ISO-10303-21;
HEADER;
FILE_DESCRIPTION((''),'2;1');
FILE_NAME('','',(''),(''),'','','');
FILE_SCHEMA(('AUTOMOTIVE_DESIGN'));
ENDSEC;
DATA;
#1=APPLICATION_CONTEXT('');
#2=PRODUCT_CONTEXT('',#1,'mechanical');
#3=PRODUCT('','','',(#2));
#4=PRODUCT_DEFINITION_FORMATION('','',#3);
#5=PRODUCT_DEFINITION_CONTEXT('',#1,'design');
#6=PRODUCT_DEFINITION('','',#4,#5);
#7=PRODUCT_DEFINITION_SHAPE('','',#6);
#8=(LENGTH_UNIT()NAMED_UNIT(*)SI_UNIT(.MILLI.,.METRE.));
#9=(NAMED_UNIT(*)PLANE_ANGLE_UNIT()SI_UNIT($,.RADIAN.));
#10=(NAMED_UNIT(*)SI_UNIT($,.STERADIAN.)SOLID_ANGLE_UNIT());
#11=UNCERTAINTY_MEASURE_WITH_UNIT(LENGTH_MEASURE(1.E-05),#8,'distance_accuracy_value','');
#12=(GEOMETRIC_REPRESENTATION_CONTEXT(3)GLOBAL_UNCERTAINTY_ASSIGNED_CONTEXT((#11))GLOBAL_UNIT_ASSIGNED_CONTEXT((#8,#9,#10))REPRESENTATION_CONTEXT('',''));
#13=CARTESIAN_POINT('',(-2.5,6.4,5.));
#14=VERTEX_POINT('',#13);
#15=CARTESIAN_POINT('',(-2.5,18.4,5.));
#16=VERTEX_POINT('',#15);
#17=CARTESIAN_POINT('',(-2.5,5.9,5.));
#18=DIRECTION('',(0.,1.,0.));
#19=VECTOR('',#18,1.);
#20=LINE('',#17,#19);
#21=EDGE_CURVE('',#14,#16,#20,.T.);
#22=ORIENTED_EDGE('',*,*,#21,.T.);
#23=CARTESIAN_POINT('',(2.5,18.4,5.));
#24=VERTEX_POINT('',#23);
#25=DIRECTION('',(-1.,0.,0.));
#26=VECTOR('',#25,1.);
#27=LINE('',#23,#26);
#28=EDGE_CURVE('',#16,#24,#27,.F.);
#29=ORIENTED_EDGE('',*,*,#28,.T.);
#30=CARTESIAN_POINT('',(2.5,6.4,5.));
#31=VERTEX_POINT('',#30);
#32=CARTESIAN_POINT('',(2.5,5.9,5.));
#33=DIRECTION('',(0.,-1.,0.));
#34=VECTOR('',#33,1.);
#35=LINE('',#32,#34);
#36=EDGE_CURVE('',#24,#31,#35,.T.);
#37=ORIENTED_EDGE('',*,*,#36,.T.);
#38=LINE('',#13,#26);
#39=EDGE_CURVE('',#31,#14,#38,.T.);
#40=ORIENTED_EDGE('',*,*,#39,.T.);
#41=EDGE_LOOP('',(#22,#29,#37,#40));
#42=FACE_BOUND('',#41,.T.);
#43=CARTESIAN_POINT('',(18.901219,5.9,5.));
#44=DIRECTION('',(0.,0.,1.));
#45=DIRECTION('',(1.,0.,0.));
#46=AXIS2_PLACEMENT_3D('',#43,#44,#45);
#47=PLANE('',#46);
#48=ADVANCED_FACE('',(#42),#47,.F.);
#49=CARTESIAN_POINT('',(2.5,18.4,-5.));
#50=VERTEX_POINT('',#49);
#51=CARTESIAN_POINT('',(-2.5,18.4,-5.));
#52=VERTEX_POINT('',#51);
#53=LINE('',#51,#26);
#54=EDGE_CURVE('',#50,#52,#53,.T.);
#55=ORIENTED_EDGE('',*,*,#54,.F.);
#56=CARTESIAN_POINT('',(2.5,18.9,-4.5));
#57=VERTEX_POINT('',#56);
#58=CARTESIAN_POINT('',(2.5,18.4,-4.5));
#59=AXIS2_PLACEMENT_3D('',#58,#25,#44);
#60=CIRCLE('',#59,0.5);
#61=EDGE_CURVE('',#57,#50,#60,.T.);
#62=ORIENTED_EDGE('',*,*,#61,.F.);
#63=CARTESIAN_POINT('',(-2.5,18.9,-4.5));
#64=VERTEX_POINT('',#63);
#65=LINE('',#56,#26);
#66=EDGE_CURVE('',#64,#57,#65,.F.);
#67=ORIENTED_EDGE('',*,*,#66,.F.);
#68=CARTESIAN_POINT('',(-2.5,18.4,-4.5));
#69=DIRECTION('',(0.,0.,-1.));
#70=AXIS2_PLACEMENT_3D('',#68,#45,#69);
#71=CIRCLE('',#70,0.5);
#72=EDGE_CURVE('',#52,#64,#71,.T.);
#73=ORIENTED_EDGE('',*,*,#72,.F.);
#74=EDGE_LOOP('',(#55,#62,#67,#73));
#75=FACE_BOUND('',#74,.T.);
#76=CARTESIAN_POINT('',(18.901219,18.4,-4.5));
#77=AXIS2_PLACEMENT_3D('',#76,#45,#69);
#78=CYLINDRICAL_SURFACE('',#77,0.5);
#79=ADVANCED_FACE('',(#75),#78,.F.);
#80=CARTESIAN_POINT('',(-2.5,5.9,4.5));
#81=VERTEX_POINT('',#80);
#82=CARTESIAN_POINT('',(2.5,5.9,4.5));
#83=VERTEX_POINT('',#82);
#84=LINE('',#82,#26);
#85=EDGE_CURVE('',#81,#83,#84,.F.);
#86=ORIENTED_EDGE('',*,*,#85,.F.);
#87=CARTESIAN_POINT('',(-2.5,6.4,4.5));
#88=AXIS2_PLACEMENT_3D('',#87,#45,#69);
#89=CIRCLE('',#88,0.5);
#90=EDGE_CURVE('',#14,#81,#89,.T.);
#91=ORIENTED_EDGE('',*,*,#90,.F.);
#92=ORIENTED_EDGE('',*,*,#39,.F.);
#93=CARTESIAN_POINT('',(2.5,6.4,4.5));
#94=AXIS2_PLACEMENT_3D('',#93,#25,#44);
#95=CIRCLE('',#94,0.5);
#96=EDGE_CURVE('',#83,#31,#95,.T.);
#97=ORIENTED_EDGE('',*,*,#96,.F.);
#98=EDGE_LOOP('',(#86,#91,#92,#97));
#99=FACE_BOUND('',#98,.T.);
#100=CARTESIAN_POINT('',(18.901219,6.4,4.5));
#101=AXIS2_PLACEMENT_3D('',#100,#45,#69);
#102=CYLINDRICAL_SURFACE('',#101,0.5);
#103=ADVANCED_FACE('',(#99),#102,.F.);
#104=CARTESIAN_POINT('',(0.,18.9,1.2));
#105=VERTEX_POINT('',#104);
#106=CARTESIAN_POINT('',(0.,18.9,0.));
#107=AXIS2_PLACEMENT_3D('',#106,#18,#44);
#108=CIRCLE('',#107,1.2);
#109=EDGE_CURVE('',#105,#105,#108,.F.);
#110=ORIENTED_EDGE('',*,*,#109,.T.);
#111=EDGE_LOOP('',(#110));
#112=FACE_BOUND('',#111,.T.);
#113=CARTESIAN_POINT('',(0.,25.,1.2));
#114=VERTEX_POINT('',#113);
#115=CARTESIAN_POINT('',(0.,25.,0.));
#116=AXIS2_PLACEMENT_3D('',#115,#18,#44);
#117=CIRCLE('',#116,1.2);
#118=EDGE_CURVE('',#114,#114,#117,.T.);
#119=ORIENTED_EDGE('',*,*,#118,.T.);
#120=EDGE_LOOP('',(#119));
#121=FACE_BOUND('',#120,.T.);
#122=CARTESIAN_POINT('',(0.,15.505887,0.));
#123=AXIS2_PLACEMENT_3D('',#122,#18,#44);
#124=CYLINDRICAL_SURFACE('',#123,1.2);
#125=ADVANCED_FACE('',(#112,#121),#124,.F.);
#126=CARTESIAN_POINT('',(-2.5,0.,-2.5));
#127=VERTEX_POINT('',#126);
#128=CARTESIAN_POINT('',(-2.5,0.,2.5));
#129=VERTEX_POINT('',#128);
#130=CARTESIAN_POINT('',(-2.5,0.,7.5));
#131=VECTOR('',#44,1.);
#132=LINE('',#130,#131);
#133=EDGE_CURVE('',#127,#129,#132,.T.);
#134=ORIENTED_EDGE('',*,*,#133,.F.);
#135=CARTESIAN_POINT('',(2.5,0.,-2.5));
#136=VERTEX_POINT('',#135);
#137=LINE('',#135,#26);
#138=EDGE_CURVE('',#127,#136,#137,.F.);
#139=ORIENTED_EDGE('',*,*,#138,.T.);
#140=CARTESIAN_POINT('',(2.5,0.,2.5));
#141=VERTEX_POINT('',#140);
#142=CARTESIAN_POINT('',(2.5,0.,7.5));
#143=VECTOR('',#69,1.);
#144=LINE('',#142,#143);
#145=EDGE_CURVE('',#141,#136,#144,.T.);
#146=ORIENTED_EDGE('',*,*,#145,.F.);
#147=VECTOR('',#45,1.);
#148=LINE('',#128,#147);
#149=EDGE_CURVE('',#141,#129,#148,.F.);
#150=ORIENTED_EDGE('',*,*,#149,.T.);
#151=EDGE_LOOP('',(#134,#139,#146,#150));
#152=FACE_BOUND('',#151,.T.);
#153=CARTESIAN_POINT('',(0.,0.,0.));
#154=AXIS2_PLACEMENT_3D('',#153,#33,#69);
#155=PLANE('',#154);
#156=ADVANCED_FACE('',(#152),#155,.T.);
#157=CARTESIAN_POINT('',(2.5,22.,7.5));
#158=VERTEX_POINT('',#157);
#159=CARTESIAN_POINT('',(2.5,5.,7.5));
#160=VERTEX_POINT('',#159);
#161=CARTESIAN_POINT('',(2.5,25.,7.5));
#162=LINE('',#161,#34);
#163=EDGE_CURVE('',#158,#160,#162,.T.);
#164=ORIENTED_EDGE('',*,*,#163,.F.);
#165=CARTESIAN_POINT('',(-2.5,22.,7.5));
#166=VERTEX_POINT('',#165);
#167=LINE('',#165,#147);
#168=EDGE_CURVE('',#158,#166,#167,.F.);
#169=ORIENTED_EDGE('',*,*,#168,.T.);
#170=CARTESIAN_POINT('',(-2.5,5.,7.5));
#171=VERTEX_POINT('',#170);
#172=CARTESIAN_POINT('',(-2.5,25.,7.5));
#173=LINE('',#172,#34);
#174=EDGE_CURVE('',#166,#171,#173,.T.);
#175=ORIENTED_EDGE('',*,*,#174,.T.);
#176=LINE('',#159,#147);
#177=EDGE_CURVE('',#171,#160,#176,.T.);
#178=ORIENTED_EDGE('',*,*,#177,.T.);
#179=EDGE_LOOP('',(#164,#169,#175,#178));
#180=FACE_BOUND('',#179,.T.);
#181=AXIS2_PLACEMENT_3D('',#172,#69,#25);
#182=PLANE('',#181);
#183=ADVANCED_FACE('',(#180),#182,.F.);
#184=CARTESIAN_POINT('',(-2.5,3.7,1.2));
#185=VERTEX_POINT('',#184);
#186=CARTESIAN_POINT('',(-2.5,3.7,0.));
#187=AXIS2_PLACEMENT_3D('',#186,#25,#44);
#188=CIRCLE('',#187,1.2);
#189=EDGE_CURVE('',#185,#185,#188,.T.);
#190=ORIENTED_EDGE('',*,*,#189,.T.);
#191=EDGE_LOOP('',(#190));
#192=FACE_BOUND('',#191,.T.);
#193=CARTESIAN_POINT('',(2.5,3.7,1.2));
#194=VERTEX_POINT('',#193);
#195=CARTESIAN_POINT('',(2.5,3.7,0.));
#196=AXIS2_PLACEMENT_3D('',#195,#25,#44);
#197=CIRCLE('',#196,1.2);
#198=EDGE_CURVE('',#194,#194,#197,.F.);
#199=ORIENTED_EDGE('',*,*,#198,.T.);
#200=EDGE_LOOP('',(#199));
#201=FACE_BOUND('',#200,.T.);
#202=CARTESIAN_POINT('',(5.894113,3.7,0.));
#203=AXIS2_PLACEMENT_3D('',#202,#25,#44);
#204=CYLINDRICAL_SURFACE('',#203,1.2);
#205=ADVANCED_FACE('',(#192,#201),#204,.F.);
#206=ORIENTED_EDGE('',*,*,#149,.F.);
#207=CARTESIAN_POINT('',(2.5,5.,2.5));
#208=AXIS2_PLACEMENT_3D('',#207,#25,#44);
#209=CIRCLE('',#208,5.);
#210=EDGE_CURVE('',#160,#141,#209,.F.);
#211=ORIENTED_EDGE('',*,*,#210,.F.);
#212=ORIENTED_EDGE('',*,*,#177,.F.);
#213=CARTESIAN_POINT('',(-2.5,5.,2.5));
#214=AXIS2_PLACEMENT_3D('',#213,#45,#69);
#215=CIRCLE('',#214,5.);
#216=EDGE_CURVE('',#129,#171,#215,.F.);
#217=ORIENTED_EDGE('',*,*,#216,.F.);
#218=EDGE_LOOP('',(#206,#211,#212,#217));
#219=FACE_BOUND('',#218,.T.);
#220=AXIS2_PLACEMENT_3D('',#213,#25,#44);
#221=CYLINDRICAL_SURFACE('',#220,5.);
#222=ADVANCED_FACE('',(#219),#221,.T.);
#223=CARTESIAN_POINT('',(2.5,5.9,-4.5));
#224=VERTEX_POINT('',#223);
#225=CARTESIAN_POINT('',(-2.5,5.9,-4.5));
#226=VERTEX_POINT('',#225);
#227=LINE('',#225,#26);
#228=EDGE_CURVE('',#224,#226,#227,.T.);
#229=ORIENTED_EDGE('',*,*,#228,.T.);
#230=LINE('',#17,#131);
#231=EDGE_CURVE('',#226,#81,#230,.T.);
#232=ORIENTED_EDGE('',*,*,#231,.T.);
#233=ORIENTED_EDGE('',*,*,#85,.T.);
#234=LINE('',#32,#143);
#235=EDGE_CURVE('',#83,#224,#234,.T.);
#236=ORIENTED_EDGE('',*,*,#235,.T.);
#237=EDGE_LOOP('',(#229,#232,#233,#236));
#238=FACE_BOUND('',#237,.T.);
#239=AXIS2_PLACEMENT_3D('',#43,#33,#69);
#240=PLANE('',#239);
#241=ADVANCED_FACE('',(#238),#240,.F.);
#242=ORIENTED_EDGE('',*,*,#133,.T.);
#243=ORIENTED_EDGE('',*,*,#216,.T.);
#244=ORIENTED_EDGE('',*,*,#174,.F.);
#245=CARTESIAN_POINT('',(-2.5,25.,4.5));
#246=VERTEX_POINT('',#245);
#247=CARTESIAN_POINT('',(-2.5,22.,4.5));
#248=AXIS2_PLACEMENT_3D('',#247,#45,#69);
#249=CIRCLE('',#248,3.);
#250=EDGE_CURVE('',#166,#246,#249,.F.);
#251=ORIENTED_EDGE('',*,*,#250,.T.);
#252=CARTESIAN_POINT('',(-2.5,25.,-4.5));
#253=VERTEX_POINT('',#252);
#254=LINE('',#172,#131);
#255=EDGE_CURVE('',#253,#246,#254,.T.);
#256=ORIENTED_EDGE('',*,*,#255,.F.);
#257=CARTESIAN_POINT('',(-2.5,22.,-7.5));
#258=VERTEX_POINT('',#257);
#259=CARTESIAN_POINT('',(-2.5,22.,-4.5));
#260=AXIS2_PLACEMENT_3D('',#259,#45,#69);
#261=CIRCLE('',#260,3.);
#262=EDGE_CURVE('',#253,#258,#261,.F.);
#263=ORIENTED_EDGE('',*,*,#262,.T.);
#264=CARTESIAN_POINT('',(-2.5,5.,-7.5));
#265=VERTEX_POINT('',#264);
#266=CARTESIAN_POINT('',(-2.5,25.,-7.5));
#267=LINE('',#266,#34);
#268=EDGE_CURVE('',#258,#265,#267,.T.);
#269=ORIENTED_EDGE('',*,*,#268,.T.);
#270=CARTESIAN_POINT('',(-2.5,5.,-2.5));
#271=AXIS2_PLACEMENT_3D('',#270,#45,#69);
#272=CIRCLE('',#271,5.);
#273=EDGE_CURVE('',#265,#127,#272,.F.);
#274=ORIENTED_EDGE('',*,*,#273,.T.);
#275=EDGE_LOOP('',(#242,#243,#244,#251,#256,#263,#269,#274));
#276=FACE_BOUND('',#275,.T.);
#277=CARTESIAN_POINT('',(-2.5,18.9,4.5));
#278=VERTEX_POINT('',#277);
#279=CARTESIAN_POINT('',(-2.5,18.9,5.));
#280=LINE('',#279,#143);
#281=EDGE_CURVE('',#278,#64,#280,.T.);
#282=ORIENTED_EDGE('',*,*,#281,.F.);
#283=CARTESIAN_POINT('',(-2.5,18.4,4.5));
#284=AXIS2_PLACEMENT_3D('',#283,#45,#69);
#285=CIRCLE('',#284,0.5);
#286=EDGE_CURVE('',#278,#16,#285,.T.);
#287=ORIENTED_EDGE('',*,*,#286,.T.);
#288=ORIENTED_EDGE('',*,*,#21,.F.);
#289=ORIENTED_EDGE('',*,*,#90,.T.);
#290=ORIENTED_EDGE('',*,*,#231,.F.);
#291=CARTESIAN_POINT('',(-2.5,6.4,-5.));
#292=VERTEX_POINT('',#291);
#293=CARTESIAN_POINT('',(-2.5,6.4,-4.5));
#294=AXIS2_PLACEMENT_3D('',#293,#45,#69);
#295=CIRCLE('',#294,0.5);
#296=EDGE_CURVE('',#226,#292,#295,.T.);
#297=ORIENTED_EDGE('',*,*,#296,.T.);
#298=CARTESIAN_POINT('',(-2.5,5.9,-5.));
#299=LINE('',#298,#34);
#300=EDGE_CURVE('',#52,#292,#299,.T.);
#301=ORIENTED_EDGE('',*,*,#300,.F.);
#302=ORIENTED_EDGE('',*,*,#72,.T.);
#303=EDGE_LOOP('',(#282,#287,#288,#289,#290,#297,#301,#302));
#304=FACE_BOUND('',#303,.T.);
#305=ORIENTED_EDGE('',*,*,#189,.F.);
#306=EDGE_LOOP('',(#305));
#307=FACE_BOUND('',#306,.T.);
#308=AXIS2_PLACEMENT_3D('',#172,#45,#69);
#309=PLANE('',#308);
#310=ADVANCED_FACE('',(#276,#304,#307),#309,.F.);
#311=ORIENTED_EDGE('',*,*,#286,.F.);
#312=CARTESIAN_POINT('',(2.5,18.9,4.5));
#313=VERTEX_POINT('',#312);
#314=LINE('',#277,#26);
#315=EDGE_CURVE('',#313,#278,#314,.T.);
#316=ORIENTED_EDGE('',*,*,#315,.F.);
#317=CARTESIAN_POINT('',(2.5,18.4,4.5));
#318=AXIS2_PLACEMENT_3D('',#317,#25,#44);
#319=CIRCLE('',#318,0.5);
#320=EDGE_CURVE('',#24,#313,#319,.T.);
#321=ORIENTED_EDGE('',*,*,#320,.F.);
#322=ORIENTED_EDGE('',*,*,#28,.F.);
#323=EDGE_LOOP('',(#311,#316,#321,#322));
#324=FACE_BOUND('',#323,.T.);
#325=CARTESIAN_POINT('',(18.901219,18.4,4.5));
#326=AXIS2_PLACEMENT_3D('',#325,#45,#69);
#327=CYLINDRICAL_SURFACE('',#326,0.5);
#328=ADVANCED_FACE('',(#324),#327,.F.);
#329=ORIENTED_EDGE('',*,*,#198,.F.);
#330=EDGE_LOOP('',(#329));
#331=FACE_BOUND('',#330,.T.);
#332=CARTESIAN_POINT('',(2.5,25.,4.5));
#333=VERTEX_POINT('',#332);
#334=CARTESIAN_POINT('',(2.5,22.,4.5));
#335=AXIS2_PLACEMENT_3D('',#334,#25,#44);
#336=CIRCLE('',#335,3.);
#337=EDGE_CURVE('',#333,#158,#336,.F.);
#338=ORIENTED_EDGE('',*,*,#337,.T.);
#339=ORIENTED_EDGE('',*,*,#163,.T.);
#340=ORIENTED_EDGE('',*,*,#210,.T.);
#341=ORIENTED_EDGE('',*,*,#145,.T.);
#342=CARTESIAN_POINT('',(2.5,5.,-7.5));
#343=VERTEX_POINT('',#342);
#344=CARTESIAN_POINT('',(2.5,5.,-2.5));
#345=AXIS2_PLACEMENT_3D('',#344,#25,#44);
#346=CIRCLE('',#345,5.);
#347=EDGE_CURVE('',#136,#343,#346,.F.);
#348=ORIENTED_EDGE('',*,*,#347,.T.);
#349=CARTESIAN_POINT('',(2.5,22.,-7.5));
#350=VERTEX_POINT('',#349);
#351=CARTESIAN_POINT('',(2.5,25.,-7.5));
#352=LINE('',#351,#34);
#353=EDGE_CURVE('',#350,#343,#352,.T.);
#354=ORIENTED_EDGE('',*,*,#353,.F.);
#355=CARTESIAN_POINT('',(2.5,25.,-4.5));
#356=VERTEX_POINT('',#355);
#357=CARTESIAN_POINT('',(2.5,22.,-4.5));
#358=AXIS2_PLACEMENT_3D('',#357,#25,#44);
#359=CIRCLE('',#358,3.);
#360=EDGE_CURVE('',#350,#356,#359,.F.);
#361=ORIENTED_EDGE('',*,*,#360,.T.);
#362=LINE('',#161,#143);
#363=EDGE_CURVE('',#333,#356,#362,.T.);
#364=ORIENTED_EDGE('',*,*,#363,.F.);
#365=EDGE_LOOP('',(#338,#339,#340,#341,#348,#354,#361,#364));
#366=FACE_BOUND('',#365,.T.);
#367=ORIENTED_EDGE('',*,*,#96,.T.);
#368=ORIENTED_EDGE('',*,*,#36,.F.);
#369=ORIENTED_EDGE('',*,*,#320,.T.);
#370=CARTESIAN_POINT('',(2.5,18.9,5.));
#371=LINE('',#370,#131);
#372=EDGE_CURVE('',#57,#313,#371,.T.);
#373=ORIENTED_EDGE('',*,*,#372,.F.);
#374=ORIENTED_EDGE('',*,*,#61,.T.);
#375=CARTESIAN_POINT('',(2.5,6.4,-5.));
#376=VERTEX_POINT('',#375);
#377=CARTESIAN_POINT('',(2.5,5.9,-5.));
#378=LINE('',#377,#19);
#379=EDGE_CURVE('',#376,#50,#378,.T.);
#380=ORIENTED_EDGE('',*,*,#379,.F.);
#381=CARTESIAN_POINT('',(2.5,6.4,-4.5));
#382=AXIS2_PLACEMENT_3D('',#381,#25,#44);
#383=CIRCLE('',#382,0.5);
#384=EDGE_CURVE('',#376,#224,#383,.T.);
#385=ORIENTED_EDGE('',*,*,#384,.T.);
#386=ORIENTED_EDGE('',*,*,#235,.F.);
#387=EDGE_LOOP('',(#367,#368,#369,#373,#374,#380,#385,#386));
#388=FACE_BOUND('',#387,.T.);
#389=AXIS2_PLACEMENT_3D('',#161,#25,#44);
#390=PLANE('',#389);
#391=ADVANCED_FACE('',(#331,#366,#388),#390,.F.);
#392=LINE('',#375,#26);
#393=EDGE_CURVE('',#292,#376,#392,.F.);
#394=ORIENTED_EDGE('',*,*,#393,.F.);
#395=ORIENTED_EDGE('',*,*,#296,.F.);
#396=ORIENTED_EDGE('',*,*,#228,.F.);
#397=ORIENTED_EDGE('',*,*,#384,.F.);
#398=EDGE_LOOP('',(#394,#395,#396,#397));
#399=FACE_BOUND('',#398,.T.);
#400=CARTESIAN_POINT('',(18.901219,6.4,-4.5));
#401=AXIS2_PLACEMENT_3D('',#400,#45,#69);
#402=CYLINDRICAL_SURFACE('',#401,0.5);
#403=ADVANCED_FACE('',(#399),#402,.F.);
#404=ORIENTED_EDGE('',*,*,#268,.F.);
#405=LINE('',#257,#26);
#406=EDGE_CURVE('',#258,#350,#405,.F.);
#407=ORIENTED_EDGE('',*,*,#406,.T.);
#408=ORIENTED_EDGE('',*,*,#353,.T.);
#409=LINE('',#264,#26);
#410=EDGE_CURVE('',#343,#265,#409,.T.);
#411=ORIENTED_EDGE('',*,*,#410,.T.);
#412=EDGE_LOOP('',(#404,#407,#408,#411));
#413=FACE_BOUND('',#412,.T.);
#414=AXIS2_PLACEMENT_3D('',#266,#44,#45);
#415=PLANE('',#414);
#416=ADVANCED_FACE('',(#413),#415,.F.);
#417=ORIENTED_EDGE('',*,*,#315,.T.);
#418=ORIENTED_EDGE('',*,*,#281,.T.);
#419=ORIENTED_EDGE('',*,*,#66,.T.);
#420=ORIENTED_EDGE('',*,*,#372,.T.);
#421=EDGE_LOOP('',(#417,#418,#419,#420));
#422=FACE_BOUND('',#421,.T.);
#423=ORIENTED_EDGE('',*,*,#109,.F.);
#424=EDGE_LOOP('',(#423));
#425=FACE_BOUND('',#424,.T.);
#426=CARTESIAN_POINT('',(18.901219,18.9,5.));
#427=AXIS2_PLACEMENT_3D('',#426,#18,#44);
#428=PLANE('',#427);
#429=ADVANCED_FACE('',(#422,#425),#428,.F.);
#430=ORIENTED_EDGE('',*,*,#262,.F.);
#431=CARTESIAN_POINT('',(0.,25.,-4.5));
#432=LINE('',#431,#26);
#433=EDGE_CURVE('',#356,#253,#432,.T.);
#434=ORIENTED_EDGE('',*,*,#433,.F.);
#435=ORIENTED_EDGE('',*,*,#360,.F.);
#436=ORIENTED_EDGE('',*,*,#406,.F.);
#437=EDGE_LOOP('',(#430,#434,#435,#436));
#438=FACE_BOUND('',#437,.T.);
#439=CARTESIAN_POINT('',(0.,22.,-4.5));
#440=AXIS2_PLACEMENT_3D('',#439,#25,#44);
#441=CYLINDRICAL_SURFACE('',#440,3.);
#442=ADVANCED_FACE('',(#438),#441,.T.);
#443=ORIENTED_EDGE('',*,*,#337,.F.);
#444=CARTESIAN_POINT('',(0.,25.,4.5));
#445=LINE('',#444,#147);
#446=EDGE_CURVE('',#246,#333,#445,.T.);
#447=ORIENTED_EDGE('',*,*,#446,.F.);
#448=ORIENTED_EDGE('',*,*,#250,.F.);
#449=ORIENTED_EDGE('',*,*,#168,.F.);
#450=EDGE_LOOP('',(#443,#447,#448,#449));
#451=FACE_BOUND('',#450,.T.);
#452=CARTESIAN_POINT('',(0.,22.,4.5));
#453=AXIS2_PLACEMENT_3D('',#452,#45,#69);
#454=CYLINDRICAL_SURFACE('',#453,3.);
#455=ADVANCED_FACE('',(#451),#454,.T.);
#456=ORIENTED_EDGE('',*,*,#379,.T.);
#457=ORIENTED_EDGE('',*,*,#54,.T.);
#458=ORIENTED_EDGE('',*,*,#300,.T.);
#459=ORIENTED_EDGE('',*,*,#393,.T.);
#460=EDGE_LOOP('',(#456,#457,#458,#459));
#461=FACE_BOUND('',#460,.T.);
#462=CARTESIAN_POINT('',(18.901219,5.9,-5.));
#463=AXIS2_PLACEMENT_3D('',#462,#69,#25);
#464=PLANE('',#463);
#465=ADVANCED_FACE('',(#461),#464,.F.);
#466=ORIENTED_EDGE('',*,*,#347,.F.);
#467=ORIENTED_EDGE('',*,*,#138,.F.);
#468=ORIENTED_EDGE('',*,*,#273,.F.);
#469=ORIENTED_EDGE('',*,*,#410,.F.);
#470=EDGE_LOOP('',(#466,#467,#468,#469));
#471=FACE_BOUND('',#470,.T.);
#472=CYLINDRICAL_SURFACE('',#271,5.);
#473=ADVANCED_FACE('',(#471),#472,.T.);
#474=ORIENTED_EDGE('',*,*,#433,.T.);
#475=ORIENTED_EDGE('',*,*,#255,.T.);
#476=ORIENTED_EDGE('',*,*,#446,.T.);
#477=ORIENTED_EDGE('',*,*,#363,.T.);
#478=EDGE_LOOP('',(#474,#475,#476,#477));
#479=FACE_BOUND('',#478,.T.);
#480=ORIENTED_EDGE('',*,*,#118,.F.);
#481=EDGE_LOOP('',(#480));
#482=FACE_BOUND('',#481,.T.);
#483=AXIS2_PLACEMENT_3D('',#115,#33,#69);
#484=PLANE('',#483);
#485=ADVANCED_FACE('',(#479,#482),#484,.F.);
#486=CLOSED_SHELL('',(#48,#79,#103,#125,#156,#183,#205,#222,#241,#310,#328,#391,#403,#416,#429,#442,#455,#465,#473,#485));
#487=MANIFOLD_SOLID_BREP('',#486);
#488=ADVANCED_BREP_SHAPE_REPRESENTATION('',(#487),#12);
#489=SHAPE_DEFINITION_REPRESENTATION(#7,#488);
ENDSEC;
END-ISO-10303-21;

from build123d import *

# Parameters (mm, degrees)
SKETCH16_W                 = 5
SKETCH16_H                 = 15
MAIN_EXTRUDE_LOCKING_DEPTH = 25
SKETCH18_R                 = 1.2
CUT_EXTRUDE1_DEPTH         = 5
SKETCH8_W                  = 10
SKETCH8_H                  = 13
CUT_EXTRUDE2_DEPTH         = 5
SKETCH9_R                  = 1.2
CUT_EXTRUDE3_DEPTH         = 6.1
FILLET1_R                  = 5
FILLET2_R                  = 3
FILLET3_R                  = 0.5


with BuildPart() as part:
    # Sketch16 → Main Extrude_Locking (new body)
    with BuildSketch(Plane(origin=(0, 0, 0), x_dir=(1, 0, 0), z_dir=(0, 1, 0))):
        Rectangle(SKETCH16_W, SKETCH16_H)
    extrude(amount=MAIN_EXTRUDE_LOCKING_DEPTH)

    # Sketch18 → Cut-Extrude1 (cut)
    with BuildSketch(Plane.ZY.offset(2.5)):
        with Locations((0, 3.7)):
            Circle(SKETCH18_R)
    extrude(amount=-CUT_EXTRUDE1_DEPTH, mode=Mode.SUBTRACT)

    # Sketch8 → Cut-Extrude2 (cut)
    with BuildSketch(Plane.ZY.offset(2.5)):
        with Locations((0, 12.4)):
            Rectangle(SKETCH8_W, SKETCH8_H)
    extrude(amount=-CUT_EXTRUDE2_DEPTH, mode=Mode.SUBTRACT)

    # Sketch9 → Cut-Extrude3 (cut)
    with BuildSketch(Plane(origin=(0, 25, 0), x_dir=(1, 0, 0), z_dir=(0, 1, 0))):
        with Locations(Location((0, 0, 0), (0, 0, 270))):
            Circle(SKETCH9_R)
    extrude(amount=-CUT_EXTRUDE3_DEPTH, mode=Mode.SUBTRACT)

    # Fillet1
    fillet1_edges = [part.edges().sort_by_distance(p)[0] for p in [
        (0, 0, 7.5),
        (0, 0, -7.5),
    ]]
    fillet(fillet1_edges, radius=FILLET1_R)

    # Fillet2
    fillet2_edges = [part.edges().sort_by_distance(p)[0] for p in [
        (0, 25, 7.5),
        (0, 25, -7.5),
    ]]
    fillet(fillet2_edges, radius=FILLET2_R)

    # Fillet3
    fillet3_edges = [part.edges().sort_by_distance(p)[0] for p in [
        (0, 5.9, -5),
        (0, 18.9, -5),
        (0, 18.9, 5),
        (0, 5.9, 5),
    ]]
    fillet(fillet3_edges, radius=FILLET3_R)


solid = part.part
